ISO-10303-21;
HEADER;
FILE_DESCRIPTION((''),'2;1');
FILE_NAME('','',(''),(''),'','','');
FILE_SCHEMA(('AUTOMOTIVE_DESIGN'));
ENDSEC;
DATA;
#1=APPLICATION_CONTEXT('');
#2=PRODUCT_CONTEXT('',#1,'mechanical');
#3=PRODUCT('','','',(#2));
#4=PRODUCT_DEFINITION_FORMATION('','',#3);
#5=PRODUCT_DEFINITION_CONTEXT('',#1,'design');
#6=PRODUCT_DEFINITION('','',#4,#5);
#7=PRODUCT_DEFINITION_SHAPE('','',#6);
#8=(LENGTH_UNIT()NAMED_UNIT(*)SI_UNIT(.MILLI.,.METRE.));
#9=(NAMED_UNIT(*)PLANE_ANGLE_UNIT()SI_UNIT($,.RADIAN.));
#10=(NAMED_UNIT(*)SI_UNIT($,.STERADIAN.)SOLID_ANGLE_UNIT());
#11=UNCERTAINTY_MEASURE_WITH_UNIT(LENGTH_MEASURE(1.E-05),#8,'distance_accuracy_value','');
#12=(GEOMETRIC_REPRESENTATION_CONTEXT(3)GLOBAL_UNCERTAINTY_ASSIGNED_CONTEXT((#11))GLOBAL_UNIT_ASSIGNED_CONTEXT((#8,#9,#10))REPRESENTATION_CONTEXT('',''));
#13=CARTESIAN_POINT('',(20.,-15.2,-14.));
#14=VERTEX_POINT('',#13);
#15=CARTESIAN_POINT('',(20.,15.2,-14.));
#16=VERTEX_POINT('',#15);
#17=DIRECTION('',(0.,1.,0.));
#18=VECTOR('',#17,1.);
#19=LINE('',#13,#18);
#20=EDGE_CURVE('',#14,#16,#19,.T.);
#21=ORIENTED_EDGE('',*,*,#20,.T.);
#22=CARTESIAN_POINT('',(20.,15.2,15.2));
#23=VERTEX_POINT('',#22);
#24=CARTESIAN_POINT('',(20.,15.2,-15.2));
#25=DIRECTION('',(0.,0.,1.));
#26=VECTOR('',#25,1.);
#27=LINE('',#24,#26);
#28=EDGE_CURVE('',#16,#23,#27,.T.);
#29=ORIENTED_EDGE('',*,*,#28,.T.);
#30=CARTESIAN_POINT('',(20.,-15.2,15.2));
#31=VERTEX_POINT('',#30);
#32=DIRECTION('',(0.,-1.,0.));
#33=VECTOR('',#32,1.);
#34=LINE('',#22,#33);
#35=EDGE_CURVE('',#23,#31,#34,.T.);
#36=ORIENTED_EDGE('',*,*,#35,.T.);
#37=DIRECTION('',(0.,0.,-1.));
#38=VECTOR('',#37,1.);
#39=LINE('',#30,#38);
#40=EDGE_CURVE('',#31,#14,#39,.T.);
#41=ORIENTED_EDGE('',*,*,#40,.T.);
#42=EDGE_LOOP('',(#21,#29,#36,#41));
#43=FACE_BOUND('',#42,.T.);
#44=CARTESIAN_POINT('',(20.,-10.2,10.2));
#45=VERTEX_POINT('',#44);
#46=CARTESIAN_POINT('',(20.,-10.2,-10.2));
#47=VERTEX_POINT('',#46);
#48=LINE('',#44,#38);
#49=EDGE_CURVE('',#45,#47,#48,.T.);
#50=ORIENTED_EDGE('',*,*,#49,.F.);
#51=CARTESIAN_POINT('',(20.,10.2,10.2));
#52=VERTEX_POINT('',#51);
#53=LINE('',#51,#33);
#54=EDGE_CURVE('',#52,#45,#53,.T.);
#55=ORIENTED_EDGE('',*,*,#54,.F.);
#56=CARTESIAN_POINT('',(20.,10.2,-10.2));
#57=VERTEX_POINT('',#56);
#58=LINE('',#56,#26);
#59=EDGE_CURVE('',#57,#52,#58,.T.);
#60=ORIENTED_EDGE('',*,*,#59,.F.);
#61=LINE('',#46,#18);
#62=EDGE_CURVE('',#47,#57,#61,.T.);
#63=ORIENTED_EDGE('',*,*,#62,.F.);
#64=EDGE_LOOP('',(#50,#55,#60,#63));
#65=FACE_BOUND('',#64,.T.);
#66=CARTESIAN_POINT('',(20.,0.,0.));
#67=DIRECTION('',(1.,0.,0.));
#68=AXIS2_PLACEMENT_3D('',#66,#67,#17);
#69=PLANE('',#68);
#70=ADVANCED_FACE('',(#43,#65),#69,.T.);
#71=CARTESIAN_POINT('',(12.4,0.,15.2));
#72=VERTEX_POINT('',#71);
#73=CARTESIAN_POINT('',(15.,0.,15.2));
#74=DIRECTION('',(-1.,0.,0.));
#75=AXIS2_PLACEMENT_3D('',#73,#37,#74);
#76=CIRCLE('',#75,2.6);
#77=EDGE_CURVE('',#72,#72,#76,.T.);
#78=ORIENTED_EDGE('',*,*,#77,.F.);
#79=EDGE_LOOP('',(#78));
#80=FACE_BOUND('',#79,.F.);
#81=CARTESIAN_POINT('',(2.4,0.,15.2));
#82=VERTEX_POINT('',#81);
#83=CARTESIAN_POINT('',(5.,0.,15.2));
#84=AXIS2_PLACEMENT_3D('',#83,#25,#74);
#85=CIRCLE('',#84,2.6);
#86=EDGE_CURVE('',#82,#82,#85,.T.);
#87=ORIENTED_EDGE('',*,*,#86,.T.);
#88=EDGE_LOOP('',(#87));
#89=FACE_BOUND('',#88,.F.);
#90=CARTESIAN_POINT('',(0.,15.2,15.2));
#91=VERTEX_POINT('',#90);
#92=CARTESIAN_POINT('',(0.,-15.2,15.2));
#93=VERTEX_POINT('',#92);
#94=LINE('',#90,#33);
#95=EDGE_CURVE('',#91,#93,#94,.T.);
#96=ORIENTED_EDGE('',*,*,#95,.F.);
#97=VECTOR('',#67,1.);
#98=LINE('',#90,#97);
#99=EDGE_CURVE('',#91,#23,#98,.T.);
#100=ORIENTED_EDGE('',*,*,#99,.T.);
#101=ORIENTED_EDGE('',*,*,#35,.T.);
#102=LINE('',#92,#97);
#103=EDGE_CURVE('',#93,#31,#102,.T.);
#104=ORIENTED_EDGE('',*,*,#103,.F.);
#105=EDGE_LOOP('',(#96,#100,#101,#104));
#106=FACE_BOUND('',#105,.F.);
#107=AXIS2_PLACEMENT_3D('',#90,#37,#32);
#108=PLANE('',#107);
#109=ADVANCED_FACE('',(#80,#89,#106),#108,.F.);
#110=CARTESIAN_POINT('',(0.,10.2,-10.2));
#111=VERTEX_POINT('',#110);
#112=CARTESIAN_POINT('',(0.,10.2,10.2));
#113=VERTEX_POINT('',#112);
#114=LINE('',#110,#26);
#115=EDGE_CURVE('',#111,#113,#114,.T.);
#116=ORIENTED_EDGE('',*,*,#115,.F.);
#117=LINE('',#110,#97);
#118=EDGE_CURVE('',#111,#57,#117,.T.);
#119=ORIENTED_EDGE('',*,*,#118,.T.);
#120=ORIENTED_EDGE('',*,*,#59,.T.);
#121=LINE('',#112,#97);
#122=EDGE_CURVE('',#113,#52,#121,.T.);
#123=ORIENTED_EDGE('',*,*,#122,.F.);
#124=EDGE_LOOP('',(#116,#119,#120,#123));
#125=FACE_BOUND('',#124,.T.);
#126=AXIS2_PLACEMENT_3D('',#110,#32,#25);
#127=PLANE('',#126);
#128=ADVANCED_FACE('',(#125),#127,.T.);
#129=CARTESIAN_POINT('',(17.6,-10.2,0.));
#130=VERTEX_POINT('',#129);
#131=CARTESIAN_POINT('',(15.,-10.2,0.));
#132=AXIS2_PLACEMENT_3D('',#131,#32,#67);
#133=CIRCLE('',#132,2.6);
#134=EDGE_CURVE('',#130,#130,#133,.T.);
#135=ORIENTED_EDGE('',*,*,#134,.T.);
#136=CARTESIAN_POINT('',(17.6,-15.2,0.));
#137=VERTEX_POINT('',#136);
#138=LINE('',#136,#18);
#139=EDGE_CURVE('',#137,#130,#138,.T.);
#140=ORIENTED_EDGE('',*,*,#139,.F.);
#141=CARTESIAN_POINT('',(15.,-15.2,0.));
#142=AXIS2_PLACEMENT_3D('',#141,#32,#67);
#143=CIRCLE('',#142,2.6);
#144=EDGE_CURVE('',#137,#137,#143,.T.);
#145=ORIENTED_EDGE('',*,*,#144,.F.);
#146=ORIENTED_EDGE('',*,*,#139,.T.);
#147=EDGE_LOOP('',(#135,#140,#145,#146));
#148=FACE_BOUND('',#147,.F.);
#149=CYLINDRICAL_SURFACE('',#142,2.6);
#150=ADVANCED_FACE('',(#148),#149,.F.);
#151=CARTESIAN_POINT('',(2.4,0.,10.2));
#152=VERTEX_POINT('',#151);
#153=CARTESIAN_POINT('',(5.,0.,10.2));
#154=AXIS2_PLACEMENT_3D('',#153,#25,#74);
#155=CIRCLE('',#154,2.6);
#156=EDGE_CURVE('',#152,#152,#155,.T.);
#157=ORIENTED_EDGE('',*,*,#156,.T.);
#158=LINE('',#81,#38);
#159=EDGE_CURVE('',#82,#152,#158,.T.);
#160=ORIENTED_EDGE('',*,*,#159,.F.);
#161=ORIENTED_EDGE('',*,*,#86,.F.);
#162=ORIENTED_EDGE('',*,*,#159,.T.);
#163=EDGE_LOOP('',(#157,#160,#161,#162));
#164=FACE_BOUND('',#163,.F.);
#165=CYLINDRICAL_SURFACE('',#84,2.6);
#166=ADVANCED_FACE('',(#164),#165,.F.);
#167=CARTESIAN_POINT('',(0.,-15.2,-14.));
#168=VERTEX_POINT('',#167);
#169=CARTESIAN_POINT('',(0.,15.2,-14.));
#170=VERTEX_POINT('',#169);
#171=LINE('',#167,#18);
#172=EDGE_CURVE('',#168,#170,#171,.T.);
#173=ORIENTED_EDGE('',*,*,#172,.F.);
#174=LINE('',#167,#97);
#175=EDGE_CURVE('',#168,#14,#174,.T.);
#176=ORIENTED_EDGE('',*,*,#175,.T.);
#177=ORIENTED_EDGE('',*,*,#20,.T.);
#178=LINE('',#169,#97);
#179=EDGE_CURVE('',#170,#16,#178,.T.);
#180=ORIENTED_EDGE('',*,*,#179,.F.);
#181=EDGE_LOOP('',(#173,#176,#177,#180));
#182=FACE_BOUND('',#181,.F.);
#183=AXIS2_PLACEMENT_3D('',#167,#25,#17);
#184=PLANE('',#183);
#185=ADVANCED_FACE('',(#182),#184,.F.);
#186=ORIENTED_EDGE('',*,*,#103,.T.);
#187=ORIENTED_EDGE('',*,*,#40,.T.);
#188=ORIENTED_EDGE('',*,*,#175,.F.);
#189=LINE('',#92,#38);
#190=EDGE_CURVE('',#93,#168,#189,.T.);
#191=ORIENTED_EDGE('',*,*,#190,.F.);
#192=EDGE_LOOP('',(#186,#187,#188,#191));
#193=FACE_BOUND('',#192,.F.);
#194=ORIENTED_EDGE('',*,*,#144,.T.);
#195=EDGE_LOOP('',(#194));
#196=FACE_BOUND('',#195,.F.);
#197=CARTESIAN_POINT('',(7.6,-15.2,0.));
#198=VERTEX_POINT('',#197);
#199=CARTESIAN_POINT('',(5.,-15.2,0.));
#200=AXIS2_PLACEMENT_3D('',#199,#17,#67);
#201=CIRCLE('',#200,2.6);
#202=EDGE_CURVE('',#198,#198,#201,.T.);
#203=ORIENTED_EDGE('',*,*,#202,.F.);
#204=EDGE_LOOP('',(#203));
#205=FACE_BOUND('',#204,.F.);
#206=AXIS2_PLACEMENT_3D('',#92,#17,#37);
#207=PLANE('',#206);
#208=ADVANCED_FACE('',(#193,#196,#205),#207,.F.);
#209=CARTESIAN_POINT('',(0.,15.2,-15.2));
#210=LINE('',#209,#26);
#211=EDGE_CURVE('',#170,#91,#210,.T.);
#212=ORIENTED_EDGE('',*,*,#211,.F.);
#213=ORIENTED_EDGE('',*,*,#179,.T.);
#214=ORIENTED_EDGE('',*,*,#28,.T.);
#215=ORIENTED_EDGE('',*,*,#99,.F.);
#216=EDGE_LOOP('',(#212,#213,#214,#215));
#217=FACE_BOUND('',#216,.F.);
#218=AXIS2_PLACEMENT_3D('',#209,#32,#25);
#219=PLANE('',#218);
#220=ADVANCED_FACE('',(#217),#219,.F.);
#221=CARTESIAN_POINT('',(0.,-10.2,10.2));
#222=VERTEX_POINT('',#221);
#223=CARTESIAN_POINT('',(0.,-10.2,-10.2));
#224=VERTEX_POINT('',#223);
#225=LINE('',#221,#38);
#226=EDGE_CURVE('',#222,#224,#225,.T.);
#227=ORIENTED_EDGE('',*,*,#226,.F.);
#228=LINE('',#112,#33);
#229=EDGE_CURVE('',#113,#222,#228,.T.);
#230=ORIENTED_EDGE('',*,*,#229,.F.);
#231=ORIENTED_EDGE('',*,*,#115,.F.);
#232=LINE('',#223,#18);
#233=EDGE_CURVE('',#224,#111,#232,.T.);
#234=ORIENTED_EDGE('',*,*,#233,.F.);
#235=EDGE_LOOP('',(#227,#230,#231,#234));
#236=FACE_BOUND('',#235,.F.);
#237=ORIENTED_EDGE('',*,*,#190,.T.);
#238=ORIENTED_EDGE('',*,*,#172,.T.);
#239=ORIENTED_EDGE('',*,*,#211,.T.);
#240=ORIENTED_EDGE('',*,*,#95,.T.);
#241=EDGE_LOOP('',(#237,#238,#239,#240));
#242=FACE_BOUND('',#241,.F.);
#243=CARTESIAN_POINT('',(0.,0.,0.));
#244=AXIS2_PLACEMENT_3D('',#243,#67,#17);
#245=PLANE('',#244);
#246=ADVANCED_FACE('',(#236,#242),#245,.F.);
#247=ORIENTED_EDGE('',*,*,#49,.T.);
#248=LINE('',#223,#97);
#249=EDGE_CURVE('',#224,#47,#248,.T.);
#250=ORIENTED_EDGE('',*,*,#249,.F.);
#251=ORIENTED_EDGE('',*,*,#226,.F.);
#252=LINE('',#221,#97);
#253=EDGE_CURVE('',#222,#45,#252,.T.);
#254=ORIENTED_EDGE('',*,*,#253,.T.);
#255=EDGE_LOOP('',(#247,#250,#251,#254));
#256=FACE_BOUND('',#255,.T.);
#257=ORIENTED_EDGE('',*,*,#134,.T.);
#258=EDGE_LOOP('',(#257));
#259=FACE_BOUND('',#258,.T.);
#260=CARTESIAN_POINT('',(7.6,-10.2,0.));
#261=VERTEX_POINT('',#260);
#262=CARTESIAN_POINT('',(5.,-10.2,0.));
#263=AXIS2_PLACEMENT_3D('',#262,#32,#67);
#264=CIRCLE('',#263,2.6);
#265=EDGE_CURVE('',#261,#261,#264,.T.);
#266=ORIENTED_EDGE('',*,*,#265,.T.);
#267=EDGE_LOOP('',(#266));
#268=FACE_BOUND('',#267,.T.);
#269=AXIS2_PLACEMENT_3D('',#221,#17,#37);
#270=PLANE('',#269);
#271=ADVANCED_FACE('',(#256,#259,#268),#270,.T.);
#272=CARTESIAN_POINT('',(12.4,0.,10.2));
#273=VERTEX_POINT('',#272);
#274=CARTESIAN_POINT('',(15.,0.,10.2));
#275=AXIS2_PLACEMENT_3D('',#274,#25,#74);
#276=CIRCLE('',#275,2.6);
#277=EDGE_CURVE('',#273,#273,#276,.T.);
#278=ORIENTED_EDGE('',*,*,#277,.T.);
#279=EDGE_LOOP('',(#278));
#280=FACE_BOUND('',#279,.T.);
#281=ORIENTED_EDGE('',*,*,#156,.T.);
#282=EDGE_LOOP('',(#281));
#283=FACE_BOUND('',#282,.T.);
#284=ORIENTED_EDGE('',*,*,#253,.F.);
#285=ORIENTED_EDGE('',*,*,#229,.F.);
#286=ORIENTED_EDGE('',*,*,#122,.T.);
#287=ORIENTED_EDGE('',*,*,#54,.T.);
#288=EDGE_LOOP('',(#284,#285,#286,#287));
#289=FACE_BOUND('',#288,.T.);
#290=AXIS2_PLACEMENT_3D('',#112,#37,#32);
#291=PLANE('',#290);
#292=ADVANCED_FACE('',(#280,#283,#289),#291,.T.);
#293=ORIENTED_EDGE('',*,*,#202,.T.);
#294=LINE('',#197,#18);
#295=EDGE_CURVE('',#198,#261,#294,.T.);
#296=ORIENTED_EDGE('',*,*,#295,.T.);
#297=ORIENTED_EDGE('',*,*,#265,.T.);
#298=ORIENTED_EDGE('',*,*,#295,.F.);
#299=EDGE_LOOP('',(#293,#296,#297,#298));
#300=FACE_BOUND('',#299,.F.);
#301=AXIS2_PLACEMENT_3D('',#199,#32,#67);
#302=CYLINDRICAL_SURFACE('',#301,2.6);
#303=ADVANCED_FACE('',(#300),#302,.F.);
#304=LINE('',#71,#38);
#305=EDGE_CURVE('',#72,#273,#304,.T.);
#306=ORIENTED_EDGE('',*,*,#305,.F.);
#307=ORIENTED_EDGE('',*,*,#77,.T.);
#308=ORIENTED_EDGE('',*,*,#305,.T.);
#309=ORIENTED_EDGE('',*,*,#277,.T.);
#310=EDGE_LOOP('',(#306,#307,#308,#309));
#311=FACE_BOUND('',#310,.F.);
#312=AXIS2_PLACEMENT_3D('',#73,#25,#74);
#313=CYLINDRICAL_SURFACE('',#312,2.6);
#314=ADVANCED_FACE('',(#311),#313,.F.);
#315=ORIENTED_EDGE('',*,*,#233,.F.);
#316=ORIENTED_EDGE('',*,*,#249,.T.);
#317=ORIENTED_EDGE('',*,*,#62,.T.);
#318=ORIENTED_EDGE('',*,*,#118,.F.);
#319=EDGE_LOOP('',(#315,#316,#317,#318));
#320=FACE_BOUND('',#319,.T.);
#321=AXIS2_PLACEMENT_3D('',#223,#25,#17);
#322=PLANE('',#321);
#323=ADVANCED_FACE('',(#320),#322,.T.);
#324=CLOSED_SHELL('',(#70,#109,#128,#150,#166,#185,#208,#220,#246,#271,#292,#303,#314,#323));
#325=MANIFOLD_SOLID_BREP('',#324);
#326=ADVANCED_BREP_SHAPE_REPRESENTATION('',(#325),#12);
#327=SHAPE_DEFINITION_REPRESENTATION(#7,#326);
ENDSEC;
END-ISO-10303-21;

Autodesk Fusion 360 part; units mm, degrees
sketch "스케치1" plane through (0, 0, 0) normal (1, 0, 0) x (0, 1, 0)
  line L0 (15.2, 15.2) -> (-15.2, 15.2)
  line L1 (-15.2, 15.2) -> (-15.2, -15.2)
  line L2 (-15.2, -15.2) -> (15.2, -15.2)
  line L3 (15.2, -15.2) -> (15.2, 15.2)
  line L4 (15.2, 15.2) -> (-15.2, -15.2) construction
  line L5 (-15.2, 15.2) -> (15.2, -15.2) construction
  line L6 (10.2, 10.2) -> (-10.2, 10.2)
  line L7 (-10.2, 10.2) -> (-10.2, -10.2)
  line L8 (-10.2, -10.2) -> (10.2, -10.2)
  line L9 (10.2, -10.2) -> (10.2, 10.2)
  line L10 (10.2, 10.2) -> (-10.2, -10.2) construction
  line L11 (-10.2, 10.2) -> (10.2, -10.2) construction
  dimension "d1" = 30.4
  dimension "d2" = 30.4
  dimension "d3" = 20.4
  dimension "d4" = 20.4
extrude "돌출1" add sketch "스케치1" along normal blind 20
extrude "돌출2" cut 1 faces at (13.3333, -5.0667, -15.2) along direction (0, 0, 1) blind 1.2
sketch "스케치2" plane through (0, 0, 15.2) normal (0, 0, 1) x (-1, 0, 0)
  line L0 (0, -15.2) -> (0, 15.2)
  line L1 (0, 15.2) -> (-20, 15.2)
  line L2 (-20, 15.2) -> (-20, -15.2)
  line L3 (-20, -15.2) -> (0, -15.2)
  line L4 (0, 0) -> (-5, 0)
  circle A0 centre (-5, 0) radius 2.6
  line L5 (-20, 0) -> (-15, 0)
  circle A1 centre (-15, 0) radius 2.6
  dimension "d9" = 5
  dimension "d10" = 5.2
  dimension "d11" = 5
  dimension "d12" = 5.2
extrude "돌출3" cut sketch "스케치2" against normal blind 10 contours A0 | A1
sketch "스케치3" plane through (0, -15.2, 0) normal (0, -1, 0) x (1, 0, 0)
  line L0 (0, -14) -> (20, -14)
  line L1 (20, -14) -> (20, 15.2)
  line L2 (20, 15.2) -> (0, 15.2)
  line L3 (0, 15.2) -> (0, -14)
  line L4 (0, 0) -> (5, 0)
  line L5 (20, 0) -> (15, 0)
  circle A0 centre (5, 0) radius 2.6
  circle A1 centre (15, 0) radius 2.6
  dimension "d15" = 5
  dimension "d16" = 5
  dimension "d17" = 5.2
  dimension "d18" = 5.2
extrude "돌출4" cut sketch "스케치3" against normal blind 5 contours A1 | A0
